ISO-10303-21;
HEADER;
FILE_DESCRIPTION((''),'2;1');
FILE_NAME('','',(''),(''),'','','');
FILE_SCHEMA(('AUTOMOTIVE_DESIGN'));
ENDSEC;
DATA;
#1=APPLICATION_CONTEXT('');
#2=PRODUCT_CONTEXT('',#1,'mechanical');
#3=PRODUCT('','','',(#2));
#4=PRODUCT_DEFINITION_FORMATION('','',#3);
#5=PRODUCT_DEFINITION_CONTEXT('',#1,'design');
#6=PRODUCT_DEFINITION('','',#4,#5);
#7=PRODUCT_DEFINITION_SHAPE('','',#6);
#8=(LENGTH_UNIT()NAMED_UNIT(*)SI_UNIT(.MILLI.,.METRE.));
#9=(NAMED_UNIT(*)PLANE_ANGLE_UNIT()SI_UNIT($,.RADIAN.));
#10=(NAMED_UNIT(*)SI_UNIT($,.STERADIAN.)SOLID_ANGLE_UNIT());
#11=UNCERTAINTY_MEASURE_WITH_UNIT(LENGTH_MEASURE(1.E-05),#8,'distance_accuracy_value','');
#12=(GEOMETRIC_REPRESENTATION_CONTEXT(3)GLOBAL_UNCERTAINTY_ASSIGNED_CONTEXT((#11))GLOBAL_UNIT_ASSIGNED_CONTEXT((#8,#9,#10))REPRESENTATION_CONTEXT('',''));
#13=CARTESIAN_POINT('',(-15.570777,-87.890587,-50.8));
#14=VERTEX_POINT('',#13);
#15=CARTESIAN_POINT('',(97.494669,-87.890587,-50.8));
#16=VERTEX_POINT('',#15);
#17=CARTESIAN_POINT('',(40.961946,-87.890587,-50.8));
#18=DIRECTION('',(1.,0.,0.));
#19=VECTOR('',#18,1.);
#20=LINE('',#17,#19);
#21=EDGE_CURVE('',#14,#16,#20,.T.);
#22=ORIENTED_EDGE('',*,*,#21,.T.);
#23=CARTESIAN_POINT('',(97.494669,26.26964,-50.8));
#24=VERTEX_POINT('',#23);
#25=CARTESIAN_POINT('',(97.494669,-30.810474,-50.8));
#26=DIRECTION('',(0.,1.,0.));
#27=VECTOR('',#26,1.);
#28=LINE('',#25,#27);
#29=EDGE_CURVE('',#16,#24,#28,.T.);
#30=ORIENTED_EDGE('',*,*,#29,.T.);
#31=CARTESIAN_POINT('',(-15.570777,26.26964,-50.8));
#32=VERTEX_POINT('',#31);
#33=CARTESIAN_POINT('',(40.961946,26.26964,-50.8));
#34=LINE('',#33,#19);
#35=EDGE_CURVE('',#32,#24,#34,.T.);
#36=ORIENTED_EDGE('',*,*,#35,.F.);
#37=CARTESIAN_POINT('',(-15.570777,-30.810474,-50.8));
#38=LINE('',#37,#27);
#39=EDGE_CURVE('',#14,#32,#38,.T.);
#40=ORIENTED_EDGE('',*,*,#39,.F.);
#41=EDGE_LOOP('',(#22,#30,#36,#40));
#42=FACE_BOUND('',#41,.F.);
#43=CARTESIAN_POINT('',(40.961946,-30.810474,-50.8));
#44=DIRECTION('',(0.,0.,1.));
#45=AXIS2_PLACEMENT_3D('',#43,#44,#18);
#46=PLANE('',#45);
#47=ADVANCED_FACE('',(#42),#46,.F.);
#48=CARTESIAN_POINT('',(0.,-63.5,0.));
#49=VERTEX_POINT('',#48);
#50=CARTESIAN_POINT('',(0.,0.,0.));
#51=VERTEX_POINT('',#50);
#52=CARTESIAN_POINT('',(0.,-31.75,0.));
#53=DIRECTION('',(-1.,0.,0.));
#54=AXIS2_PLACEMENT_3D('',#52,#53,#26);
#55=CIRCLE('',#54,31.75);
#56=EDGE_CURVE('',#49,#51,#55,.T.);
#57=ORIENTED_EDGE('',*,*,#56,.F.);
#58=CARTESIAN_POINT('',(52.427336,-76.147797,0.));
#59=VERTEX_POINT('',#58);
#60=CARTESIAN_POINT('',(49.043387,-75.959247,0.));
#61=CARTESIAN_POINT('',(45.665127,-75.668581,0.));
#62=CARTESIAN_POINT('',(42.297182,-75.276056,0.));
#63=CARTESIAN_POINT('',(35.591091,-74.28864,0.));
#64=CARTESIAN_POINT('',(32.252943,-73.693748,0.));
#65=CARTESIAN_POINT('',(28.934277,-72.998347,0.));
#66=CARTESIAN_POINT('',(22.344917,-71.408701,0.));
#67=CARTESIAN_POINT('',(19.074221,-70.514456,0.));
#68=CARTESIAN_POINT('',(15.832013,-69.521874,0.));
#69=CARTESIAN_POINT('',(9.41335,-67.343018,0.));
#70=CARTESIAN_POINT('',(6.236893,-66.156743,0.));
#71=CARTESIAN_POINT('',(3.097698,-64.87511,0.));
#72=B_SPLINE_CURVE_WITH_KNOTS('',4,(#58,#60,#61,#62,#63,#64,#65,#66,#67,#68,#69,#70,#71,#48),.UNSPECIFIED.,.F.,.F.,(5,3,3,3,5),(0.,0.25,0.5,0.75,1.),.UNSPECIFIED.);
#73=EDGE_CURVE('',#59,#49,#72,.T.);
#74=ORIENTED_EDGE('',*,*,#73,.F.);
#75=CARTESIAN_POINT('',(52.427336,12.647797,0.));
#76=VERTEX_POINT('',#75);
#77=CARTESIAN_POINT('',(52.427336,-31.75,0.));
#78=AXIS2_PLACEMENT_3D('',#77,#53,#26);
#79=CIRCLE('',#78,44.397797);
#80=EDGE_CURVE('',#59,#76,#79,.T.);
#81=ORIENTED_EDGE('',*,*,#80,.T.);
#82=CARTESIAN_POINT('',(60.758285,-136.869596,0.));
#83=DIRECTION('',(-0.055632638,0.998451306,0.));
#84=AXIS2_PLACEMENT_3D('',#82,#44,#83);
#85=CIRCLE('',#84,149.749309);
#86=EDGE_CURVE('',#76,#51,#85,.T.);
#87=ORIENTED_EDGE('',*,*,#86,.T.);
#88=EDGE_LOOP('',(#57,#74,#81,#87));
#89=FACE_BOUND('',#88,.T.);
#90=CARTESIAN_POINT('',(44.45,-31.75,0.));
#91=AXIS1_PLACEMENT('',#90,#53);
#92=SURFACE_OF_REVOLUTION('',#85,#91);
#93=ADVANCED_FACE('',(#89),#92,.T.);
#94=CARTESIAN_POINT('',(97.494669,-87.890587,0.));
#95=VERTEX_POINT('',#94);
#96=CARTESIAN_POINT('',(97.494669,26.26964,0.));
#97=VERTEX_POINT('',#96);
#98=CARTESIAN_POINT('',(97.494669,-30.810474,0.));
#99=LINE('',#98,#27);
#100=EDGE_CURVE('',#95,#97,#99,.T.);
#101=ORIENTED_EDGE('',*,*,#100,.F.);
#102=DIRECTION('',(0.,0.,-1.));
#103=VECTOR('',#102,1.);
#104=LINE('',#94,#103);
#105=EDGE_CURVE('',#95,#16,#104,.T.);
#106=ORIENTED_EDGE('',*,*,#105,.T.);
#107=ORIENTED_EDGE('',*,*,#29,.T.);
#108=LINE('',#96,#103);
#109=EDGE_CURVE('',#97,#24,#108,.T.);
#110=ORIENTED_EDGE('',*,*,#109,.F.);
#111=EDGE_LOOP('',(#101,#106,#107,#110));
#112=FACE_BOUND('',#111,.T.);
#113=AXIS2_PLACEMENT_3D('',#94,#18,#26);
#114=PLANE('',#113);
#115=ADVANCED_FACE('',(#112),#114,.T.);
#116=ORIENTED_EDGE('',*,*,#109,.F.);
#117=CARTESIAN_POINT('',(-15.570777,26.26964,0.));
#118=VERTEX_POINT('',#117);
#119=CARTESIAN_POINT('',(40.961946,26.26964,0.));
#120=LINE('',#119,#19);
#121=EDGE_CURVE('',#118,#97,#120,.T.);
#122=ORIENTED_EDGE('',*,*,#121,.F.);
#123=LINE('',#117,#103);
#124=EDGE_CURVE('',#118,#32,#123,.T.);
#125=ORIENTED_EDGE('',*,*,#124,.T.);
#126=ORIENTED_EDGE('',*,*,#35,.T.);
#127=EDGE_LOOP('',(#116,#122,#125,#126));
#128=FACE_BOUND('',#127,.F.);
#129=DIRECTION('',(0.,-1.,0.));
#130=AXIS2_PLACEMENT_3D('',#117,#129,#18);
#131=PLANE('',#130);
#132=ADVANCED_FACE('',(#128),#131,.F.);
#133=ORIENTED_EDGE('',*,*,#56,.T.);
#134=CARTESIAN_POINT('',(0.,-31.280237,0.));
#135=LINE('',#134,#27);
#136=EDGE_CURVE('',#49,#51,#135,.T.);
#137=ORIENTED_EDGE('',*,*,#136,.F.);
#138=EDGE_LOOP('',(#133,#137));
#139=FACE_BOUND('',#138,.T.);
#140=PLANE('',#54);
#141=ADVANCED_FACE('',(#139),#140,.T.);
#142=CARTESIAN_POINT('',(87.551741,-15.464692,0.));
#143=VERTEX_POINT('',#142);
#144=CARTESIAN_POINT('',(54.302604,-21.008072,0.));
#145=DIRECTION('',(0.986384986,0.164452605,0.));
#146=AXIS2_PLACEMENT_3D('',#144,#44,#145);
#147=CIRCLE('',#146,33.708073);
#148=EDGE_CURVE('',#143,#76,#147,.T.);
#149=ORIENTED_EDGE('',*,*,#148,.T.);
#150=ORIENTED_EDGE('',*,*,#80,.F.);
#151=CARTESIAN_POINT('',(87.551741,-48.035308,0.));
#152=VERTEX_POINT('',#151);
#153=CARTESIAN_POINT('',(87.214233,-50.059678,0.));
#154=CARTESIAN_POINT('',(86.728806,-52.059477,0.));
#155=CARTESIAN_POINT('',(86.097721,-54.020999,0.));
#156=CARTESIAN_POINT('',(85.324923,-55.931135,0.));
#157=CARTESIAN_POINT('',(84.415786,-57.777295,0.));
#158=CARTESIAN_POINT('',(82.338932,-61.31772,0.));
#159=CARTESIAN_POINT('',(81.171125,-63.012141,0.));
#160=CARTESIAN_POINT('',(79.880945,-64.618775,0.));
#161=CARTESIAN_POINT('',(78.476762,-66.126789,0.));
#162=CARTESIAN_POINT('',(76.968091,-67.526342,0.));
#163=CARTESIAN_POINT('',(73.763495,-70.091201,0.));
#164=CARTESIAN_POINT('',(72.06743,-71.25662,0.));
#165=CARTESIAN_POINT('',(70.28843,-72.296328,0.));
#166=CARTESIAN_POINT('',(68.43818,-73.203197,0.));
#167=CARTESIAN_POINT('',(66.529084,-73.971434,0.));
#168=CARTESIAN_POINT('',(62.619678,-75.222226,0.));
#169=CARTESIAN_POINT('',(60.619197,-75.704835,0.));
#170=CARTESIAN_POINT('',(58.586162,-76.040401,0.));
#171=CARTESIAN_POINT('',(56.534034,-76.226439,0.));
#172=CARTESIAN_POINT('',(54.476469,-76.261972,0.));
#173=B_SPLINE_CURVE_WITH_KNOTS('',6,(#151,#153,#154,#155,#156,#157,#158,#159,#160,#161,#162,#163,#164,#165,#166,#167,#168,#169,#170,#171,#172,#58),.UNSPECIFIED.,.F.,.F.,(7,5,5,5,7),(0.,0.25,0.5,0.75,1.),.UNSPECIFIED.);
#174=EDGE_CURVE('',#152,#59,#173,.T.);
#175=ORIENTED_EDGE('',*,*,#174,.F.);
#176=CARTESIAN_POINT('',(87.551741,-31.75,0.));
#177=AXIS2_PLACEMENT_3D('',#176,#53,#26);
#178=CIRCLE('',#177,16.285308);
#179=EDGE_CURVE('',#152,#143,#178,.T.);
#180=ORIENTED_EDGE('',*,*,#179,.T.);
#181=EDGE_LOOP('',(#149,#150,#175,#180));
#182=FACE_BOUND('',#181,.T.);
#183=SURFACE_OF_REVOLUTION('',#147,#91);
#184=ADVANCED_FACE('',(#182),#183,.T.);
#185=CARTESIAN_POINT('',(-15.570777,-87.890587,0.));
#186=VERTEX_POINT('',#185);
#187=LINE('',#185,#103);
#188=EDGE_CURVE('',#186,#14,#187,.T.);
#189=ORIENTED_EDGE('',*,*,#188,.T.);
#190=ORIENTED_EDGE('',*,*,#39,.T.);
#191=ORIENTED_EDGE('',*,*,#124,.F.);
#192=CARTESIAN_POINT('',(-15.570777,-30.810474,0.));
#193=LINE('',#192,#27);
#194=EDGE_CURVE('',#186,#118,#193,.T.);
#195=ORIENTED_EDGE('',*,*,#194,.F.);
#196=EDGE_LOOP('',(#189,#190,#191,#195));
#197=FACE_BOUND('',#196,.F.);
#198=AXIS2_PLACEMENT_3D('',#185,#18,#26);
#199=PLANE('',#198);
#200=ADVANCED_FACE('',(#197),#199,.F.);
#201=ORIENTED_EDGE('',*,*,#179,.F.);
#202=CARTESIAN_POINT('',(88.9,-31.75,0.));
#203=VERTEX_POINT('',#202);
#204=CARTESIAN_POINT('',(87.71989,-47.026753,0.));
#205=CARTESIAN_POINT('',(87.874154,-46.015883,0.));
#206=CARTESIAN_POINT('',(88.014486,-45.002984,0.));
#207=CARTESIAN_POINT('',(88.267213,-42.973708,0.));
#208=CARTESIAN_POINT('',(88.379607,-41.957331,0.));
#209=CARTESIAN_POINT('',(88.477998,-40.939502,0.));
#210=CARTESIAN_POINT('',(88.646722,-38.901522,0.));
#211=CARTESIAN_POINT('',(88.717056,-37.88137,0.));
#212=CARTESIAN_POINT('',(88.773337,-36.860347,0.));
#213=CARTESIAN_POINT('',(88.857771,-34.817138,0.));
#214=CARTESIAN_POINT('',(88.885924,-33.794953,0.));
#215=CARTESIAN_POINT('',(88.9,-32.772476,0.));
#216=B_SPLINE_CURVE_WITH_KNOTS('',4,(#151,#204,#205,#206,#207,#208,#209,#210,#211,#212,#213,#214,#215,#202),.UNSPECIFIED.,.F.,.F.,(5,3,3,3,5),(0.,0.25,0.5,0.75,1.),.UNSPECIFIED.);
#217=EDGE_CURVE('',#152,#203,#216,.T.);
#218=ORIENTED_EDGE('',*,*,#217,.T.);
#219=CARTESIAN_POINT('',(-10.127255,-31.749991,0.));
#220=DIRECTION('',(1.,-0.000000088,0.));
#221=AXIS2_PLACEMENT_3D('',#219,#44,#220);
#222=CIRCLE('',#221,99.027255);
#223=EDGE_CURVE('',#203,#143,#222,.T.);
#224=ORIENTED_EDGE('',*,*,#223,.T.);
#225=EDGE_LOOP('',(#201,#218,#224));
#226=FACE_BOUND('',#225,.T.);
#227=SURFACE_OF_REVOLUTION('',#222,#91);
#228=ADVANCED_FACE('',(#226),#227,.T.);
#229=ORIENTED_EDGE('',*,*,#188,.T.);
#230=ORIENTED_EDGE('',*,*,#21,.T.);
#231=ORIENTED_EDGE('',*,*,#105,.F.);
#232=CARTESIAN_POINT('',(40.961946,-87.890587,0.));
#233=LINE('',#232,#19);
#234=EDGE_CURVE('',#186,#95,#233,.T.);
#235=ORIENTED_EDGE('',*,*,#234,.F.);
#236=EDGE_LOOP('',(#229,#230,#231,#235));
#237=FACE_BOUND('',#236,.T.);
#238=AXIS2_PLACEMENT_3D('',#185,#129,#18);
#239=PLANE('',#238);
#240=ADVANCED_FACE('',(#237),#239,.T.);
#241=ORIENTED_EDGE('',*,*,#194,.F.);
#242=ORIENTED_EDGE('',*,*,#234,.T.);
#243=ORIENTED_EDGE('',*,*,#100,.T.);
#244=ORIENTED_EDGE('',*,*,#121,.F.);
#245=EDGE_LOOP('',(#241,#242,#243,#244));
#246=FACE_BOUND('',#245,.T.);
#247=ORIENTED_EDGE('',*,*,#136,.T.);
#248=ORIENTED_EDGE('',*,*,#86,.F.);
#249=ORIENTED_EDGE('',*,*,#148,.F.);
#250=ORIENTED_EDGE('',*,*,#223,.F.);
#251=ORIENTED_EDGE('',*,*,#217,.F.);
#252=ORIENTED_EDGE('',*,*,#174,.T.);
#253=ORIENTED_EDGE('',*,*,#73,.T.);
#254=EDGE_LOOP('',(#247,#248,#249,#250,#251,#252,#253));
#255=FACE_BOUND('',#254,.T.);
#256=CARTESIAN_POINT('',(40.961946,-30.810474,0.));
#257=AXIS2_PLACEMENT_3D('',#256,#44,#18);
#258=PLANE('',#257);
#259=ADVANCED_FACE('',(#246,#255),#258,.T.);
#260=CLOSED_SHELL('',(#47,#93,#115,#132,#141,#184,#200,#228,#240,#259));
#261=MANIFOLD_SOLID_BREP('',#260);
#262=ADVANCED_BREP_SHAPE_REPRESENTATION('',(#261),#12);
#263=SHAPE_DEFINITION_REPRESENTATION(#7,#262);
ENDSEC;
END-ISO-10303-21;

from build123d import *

# Parameters (mm, degrees)
F2_W     = 113.065446
F2_H     = 114.160227
F3_DEPTH = 50.8


with BuildPart() as f1:
    # F0 (on Top) → F1 (revolve)
    with BuildSketch(Plane.XY):
        with BuildLine():
            Line((0, -31.75), (88.9, -31.75))
            ThreePointArc((88.9, -31.75), (88.56236, -23.579488), (87.551741, -15.464692))
            ThreePointArc((87.551741, -15.464692), (75.365793, 5.308771), (52.427336, 12.647797))
            ThreePointArc((52.427336, 12.647797), (25.639597, 8.703524), (0, 0))
            Line((0, 0), (0, -31.75))
        make_face()
    revolve(axis=Axis((44.45, -31.75, 0), (-1, 0, 0)))

    # F2 (on Top) → F3 (join)
    with BuildSketch(Plane.XY):
        with Locations((40.961946, -30.810474)):
            Rectangle(F2_W, F2_H)
    extrude(amount=-F3_DEPTH)


solid = f1.part
